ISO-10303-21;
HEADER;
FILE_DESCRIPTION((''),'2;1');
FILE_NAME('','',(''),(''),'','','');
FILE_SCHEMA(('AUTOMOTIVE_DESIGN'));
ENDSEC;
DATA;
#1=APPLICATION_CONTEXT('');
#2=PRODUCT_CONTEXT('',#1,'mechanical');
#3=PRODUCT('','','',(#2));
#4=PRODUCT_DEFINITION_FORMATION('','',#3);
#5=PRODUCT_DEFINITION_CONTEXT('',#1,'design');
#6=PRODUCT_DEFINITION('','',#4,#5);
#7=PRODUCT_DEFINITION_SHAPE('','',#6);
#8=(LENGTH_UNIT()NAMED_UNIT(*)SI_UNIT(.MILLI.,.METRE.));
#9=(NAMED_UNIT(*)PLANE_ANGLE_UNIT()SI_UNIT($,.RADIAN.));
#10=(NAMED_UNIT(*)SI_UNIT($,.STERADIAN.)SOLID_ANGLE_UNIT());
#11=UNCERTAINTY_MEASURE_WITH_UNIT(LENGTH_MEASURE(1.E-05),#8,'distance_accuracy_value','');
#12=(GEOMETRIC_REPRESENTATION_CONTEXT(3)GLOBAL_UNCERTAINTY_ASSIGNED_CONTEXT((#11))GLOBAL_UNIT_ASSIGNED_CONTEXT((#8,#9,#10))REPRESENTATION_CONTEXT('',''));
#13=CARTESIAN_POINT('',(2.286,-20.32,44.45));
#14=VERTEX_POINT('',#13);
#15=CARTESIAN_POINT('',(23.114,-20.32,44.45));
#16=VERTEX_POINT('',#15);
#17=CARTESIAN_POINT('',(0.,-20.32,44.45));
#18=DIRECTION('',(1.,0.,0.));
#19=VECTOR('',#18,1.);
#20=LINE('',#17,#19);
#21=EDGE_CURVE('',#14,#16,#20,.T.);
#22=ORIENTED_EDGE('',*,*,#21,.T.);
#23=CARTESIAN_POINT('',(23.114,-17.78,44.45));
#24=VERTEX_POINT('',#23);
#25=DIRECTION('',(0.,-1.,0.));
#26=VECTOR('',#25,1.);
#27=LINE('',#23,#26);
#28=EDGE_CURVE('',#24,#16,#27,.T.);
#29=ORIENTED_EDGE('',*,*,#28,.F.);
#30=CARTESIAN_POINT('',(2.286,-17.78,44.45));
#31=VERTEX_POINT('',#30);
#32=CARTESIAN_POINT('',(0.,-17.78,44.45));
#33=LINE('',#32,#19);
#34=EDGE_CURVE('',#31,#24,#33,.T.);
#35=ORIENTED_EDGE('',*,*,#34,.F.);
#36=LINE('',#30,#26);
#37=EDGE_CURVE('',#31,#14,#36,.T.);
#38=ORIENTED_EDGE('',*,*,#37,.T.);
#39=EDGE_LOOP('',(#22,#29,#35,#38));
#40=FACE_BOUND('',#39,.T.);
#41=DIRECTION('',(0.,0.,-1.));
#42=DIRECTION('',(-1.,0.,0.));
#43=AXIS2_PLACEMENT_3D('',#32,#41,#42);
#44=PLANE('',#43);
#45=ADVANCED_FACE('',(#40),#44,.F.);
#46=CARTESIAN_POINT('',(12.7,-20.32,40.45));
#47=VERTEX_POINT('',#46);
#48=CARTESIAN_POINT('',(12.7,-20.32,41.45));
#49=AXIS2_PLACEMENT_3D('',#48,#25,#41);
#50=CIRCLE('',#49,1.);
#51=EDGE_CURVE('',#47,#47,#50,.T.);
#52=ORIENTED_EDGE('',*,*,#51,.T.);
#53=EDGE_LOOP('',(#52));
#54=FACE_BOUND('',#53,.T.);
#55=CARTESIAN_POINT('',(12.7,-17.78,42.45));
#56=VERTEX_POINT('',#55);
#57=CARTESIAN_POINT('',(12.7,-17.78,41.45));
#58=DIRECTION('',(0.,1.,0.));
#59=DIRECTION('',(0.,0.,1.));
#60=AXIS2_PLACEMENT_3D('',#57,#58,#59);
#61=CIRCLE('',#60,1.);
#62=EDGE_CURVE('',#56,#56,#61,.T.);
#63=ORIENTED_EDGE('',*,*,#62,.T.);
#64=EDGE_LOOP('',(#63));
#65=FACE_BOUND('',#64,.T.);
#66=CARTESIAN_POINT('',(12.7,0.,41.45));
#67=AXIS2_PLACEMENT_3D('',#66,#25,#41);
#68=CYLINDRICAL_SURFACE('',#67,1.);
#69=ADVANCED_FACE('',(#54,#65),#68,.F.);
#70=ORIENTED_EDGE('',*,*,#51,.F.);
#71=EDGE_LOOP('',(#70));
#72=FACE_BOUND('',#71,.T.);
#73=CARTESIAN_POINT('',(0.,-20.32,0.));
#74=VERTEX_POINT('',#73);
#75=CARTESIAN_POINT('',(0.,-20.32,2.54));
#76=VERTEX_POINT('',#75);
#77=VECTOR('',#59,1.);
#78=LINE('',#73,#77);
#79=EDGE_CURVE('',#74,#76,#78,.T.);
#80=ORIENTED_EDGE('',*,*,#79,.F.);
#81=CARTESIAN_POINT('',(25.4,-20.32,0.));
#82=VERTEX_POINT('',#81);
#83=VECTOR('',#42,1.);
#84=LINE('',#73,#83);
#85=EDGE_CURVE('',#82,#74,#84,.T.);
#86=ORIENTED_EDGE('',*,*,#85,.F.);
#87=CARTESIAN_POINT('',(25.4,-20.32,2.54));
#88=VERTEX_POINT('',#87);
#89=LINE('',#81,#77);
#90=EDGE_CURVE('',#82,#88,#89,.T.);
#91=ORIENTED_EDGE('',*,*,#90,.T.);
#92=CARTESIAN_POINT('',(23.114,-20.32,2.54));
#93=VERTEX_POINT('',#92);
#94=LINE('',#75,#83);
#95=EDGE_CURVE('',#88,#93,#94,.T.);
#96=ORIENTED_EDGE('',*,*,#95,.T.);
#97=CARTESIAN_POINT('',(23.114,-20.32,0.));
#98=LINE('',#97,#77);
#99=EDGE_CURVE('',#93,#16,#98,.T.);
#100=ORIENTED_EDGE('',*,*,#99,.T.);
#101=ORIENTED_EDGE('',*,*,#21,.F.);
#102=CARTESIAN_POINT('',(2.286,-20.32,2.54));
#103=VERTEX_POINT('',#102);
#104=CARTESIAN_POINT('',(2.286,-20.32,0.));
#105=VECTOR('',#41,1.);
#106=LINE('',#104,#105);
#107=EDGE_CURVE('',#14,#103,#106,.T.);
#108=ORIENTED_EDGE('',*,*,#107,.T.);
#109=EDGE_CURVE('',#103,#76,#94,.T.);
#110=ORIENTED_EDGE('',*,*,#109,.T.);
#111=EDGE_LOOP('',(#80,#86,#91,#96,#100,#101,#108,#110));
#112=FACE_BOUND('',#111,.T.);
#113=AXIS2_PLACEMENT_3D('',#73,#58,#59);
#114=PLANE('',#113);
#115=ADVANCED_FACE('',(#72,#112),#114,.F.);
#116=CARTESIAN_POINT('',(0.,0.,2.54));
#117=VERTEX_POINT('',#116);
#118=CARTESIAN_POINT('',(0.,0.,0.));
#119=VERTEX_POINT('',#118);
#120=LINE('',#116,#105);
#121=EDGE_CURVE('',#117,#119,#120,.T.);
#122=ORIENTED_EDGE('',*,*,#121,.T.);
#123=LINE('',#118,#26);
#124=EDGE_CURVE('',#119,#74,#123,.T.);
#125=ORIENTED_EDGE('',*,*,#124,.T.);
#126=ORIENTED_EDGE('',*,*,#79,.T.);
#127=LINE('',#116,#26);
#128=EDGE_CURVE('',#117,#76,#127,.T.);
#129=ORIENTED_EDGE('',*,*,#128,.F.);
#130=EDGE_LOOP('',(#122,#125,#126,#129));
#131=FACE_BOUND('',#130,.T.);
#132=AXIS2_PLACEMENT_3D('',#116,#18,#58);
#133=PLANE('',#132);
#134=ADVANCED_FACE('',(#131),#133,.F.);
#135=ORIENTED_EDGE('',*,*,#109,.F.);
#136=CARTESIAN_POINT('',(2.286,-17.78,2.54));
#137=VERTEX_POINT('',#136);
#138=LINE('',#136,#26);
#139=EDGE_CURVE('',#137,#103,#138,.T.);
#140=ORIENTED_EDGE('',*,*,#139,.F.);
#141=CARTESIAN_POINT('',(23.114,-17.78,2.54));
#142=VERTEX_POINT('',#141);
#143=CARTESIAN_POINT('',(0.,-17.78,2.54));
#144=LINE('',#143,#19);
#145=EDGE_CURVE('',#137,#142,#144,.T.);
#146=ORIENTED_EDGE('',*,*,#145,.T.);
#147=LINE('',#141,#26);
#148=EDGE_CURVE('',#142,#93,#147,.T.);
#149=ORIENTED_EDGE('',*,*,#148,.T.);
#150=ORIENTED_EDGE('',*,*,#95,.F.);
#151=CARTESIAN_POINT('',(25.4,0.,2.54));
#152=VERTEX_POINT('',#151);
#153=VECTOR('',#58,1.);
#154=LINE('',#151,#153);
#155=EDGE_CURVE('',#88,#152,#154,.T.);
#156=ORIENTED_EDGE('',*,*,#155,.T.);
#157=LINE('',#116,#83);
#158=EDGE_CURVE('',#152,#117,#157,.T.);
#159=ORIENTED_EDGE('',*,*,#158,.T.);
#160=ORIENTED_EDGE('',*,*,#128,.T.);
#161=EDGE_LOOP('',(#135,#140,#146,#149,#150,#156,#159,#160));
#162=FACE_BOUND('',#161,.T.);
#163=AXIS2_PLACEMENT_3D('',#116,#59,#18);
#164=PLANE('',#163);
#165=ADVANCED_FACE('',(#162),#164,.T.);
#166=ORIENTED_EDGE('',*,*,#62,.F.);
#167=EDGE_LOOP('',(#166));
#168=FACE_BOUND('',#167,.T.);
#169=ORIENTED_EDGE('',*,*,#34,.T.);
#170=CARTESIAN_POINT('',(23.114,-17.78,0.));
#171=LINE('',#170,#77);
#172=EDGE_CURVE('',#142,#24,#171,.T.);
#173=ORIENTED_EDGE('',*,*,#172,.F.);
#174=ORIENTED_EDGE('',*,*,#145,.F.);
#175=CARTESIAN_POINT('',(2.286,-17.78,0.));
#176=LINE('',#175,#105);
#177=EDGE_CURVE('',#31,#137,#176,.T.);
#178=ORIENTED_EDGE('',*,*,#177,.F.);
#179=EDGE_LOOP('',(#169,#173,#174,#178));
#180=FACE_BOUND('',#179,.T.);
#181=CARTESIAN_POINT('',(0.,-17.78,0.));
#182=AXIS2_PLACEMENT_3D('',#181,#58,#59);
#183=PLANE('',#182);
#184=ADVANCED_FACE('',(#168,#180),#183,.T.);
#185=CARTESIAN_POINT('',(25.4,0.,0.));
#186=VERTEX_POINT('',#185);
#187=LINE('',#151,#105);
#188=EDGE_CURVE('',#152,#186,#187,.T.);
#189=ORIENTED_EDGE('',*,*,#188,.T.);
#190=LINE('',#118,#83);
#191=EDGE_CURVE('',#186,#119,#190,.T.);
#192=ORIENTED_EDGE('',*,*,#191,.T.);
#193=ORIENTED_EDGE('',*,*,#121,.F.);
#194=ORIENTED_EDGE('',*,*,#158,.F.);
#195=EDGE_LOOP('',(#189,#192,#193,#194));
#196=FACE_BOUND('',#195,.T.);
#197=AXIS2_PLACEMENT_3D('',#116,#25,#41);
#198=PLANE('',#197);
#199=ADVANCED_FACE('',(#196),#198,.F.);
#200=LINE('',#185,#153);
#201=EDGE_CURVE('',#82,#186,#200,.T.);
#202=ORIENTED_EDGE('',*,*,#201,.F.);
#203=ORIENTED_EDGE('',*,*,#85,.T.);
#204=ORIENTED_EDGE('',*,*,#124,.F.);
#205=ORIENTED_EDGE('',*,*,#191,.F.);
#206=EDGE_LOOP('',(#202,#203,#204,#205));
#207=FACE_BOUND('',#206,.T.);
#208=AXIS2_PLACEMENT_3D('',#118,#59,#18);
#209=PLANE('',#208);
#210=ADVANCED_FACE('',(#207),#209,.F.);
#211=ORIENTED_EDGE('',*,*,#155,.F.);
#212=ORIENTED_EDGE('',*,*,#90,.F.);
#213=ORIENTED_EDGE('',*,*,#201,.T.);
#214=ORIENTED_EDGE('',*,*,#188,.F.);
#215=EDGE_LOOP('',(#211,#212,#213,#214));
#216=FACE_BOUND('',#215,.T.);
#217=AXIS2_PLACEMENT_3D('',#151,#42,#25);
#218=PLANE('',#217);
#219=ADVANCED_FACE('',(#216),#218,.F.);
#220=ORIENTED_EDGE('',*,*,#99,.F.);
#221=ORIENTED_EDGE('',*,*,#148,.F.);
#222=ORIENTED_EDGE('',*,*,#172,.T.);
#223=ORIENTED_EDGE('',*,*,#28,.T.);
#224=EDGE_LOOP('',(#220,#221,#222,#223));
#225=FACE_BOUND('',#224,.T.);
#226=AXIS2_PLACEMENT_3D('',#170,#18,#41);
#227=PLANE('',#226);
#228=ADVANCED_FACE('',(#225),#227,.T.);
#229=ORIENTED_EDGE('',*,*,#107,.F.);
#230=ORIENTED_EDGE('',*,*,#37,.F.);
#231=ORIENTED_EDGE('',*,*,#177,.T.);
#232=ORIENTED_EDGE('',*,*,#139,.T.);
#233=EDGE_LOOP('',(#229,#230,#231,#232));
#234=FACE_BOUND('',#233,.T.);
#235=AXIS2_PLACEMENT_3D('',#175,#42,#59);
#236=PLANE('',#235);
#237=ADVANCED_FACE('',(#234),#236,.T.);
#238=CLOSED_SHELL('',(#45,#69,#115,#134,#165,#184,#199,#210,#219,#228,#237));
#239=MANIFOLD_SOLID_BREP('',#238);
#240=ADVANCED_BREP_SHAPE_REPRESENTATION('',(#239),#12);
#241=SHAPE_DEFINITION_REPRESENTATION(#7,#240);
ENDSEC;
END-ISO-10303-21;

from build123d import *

# Parameters (mm, degrees)
SKETCH1_W           = 25.4
SKETCH1_H           = 25.4
BOSS_EXTRUDE1_DEPTH = 2.54
BOSS_EXTRUDE3_DEPTH = 1.27
SKETCH6_W           = 25.4
SKETCH6_H           = 5.08
CUT_EXTRUDE1_DEPTH  = 58.15
SKETCH7_R           = 1
CUT_EXTRUDE2_DEPTH  = 56.080531043


with BuildPart() as part:
    # Sketch1 → Boss-Extrude1 (new body)
    with BuildSketch(Plane.XY):
        with Locations((12.7, -12.7)):
            Rectangle(SKETCH1_W, SKETCH1_H)
    extrude(amount=BOSS_EXTRUDE1_DEPTH)

    # Sketch2 → Boss-Extrude3 (add, symmetric)
    with BuildSketch(Plane(origin=(0, -19.05, 0), x_dir=(1, 0, 0), z_dir=(0, 1, 0))):
        Polygon((2.286, -44.45), (2.286, -2.54), (12.7, -2.54), (23.114, -2.54), (23.114, -44.45), align=None)
    extrude(amount=BOSS_EXTRUDE3_DEPTH, both=True)

    # Sketch6 → Cut-Extrude1 (cut, through all)
    with BuildSketch(Plane.XY.offset(44.45)):
        with Locations((12.7, -22.86)):
            Rectangle(SKETCH6_W, SKETCH6_H)
    extrude(amount=-CUT_EXTRUDE1_DEPTH, mode=Mode.SUBTRACT)

    # Sketch7 → Cut-Extrude2 (cut, through all)
    with BuildSketch(Plane(origin=(0, -20.32, 0), x_dir=(-1, 0, 0), z_dir=(0, -1, 0))):
        with Locations(Location((-12.7, -41.45, 0), (0, 0, 90))):
            Circle(SKETCH7_R)
    extrude(amount=-CUT_EXTRUDE2_DEPTH, mode=Mode.SUBTRACT)


solid = part.part
